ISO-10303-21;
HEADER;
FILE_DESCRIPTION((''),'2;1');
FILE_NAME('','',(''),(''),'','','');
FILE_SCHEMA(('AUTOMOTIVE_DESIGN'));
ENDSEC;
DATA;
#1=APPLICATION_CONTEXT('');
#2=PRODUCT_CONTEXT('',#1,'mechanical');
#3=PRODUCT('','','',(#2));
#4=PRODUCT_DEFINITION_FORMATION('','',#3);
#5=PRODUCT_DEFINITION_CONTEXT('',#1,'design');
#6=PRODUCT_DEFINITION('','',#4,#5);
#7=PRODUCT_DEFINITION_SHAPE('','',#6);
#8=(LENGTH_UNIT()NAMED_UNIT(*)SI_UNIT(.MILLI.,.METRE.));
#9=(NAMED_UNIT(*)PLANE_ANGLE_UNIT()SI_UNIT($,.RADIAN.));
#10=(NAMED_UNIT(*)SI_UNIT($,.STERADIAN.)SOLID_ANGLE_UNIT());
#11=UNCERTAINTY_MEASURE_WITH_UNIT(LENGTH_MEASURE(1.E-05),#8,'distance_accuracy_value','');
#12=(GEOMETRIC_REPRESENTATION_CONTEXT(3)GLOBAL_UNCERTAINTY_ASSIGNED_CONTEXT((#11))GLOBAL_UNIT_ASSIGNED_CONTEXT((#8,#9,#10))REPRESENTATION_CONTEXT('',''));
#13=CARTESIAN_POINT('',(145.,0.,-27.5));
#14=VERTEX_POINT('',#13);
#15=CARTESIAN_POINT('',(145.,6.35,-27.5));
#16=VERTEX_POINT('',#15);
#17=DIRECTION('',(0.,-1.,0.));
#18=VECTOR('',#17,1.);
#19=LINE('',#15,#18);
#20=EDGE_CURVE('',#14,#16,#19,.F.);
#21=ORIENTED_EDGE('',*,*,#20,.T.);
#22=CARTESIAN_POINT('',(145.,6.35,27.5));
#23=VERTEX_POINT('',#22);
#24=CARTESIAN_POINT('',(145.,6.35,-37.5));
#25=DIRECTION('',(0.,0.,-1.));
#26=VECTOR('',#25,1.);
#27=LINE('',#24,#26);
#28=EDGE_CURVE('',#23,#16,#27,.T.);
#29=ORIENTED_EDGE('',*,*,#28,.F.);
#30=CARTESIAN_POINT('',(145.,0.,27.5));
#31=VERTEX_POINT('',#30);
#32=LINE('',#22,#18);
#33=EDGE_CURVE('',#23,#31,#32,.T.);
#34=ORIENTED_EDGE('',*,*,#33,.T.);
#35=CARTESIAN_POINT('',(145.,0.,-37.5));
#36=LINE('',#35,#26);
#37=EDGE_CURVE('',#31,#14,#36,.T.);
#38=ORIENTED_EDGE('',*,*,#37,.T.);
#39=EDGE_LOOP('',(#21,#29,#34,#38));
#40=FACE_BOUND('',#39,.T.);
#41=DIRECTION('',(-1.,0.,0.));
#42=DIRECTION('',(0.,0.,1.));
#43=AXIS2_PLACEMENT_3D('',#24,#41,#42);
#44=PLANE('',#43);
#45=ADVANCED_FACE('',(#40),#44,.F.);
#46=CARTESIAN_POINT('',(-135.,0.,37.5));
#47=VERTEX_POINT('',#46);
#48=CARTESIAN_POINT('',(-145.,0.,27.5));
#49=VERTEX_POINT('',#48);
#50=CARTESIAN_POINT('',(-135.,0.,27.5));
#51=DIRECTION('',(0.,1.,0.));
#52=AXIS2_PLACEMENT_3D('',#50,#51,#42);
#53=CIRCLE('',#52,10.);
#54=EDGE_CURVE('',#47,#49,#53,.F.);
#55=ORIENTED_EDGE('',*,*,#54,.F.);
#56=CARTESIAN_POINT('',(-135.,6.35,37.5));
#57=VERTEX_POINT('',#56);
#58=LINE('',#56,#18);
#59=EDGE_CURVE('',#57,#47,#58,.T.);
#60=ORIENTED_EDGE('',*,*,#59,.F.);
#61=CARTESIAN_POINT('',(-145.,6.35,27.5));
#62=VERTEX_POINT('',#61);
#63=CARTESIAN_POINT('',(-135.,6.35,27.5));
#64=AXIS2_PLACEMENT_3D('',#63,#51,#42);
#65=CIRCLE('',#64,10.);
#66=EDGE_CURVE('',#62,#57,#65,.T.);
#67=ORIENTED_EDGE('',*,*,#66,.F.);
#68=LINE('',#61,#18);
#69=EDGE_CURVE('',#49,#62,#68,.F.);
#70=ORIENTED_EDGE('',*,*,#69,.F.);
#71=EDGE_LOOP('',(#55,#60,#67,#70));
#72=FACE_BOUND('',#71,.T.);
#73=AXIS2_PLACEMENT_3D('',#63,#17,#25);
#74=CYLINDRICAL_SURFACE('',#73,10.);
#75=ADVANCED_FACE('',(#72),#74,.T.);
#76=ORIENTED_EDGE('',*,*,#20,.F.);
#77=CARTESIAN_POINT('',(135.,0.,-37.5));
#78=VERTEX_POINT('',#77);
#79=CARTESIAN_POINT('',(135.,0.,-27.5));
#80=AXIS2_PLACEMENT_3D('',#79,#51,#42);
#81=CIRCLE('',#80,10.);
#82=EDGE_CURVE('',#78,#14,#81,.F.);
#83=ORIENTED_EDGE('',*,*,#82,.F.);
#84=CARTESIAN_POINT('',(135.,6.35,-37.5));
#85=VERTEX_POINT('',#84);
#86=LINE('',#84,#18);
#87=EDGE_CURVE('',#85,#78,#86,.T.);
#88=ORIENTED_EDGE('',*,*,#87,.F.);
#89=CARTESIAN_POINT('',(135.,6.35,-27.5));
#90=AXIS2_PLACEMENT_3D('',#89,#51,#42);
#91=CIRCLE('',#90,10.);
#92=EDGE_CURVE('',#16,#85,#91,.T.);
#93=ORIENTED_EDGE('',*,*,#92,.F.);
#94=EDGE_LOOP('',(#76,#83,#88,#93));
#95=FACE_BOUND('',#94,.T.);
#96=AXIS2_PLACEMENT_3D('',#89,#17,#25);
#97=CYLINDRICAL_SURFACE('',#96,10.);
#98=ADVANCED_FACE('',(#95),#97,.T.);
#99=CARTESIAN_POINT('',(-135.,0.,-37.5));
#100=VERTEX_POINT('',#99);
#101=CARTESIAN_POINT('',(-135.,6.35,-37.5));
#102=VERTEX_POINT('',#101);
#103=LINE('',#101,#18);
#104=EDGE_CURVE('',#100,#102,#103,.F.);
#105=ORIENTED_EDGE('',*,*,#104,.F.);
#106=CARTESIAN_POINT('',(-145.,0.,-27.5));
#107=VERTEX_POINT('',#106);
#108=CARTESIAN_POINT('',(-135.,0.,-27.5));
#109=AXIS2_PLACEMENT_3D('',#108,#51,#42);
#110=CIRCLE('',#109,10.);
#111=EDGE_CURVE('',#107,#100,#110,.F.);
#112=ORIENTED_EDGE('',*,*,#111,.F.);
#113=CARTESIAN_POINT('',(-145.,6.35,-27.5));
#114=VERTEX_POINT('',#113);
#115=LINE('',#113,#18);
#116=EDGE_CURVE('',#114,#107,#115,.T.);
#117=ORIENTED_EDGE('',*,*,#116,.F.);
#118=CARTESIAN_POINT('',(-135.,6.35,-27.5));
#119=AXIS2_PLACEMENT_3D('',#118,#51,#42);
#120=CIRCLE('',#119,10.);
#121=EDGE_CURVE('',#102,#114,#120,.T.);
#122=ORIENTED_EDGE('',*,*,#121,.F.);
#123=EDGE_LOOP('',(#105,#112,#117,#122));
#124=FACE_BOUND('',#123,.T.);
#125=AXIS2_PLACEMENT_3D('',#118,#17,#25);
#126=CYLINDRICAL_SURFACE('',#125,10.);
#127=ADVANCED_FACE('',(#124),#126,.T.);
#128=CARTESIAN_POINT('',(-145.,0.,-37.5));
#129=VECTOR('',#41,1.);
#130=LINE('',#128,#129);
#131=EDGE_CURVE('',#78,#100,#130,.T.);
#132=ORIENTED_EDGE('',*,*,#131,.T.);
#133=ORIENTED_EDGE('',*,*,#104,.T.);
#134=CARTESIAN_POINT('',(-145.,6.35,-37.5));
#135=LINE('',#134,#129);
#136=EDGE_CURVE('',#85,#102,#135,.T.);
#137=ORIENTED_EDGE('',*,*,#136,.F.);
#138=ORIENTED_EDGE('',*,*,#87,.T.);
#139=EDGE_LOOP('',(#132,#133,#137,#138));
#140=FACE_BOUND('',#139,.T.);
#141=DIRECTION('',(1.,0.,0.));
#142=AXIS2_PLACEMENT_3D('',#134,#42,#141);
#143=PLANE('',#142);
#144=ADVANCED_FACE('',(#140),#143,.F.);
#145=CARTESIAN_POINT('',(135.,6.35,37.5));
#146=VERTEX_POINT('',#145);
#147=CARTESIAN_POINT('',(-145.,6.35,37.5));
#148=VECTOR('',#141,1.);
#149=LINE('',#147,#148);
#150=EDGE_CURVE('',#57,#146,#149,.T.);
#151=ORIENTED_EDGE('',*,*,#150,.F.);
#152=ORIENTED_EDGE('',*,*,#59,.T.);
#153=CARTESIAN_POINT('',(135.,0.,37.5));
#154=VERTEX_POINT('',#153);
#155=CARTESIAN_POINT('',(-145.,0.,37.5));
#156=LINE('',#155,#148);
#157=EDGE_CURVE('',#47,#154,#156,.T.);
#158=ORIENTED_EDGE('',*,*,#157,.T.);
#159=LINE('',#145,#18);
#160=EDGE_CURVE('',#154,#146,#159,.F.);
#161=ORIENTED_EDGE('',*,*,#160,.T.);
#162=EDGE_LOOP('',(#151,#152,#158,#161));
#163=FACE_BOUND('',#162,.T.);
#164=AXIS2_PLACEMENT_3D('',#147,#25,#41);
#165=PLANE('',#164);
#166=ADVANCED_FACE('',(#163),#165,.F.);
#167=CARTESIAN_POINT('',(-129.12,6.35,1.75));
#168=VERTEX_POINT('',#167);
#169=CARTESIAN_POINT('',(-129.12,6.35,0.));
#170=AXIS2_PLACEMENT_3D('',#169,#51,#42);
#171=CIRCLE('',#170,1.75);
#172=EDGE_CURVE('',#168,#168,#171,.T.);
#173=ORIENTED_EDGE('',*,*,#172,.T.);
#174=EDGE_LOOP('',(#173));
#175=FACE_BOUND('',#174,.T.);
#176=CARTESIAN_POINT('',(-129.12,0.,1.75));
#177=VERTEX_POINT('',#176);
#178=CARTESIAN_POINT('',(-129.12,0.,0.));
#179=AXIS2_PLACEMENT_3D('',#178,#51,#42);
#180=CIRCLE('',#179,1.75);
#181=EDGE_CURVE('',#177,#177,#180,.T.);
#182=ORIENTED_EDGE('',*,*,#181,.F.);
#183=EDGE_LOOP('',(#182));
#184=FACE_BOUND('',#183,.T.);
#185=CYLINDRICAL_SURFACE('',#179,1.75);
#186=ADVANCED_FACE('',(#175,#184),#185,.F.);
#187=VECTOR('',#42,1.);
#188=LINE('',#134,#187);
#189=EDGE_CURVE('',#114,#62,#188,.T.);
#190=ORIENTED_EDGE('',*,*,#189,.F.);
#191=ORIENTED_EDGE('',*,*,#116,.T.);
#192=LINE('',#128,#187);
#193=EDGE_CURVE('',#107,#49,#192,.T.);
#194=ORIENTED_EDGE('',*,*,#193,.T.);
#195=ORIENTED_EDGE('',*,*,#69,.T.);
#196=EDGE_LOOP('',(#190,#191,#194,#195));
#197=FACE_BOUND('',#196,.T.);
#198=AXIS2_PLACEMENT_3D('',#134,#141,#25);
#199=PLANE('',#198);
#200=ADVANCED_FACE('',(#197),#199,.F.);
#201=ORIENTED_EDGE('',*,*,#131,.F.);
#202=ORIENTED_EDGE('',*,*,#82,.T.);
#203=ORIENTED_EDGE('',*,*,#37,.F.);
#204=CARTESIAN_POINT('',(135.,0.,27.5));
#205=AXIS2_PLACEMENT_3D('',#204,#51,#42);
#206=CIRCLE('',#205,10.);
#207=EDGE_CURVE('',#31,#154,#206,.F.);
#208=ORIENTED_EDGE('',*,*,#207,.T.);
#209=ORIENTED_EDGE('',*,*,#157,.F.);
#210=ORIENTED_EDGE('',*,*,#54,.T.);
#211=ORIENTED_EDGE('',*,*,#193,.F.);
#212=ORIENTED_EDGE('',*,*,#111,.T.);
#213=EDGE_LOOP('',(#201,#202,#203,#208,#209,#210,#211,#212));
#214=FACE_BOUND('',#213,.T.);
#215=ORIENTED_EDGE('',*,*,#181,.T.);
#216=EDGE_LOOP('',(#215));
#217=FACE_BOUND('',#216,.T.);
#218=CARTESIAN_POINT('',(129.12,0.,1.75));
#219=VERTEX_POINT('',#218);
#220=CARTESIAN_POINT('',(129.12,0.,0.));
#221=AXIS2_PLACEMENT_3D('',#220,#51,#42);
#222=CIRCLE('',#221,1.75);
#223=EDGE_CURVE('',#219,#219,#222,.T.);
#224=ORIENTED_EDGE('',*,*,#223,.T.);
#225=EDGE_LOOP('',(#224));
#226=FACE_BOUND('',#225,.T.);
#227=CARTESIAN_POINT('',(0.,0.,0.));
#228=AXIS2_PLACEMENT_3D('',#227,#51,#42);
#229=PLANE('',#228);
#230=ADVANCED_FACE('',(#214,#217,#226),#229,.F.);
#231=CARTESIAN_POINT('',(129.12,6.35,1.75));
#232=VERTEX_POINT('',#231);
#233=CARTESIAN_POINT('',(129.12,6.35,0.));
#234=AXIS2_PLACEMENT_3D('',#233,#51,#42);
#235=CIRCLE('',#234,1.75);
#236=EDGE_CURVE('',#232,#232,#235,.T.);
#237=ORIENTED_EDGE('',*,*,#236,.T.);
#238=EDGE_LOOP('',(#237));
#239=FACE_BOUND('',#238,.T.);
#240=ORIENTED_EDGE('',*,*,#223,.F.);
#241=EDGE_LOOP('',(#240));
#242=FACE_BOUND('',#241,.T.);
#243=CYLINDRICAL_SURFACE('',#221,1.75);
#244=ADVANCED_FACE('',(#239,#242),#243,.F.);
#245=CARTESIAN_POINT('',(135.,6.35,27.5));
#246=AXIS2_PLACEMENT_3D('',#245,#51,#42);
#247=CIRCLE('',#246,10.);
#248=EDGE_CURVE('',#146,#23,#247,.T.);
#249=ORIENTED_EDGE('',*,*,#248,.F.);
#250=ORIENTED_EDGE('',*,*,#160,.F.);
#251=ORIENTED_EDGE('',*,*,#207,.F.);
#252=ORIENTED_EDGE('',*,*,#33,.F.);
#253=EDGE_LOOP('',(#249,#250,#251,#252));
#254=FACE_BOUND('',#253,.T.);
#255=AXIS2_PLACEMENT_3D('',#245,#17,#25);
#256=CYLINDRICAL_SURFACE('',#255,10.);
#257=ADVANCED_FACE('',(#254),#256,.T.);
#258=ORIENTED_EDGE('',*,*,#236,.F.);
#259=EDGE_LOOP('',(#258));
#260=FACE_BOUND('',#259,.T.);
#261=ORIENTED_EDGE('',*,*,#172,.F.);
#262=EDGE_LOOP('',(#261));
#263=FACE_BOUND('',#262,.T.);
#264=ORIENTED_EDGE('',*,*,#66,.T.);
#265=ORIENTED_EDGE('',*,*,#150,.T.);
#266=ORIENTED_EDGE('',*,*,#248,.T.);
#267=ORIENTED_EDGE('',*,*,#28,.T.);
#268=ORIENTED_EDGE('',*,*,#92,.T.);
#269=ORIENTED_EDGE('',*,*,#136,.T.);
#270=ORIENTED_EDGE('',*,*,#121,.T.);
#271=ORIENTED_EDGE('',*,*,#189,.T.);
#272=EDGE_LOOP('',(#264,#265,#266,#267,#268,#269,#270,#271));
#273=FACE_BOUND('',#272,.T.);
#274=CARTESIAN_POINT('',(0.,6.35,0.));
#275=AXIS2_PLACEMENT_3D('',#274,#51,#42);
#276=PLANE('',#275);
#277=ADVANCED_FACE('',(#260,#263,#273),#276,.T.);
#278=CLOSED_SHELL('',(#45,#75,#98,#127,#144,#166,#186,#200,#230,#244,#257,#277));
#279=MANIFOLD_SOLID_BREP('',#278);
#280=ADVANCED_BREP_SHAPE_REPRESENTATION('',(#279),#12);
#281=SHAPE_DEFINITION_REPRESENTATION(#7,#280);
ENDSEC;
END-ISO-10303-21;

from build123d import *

# Parameters (mm, degrees)
SKETCH1_W           = 290
SKETCH1_H           = 75
BOSS_EXTRUDE1_DEPTH = 6.35
SKETCH2_R           = 1.75
CUT_EXTRUDE1_DEPTH  = 7.35
SKETCH3_R           = 1.75
CUT_EXTRUDE2_DEPTH  = 7.35
FILLET1_R           = 10


with BuildPart() as part:
    # Sketch1 → Boss-Extrude1 (new body)
    with BuildSketch(Plane(origin=(0, 0, 0), x_dir=(1, 0, 0), z_dir=(0, 1, 0))):
        Rectangle(SKETCH1_W, SKETCH1_H)
    extrude(amount=BOSS_EXTRUDE1_DEPTH)

    # Sketch2 → Cut-Extrude1 (cut, through all)
    with BuildSketch(Plane(origin=(0, 6.35, 0), x_dir=(1, 0, 0), z_dir=(0, 1, 0))):
        with Locations((-129.12, 0)):
            Circle(SKETCH2_R)
    extrude(amount=-CUT_EXTRUDE1_DEPTH, mode=Mode.SUBTRACT)

    # Sketch3 → Cut-Extrude2 (cut, through all)
    with BuildSketch(Plane(origin=(0, 6.35, 0), x_dir=(1, 0, 0), z_dir=(0, 1, 0))):
        with Locations((129.12, 0)):
            Circle(SKETCH3_R)
    extrude(amount=-CUT_EXTRUDE2_DEPTH, mode=Mode.SUBTRACT)

    # Fillet1
    fillet1_edges = [part.edges().sort_by_distance(p)[0] for p in [
        (145, 3.175, 37.5),
        (-145, 3.175, 37.5),
        (-145, 3.175, -37.5),
        (145, 3.175, -37.5),
    ]]
    fillet(fillet1_edges, radius=FILLET1_R)


solid = part.part
